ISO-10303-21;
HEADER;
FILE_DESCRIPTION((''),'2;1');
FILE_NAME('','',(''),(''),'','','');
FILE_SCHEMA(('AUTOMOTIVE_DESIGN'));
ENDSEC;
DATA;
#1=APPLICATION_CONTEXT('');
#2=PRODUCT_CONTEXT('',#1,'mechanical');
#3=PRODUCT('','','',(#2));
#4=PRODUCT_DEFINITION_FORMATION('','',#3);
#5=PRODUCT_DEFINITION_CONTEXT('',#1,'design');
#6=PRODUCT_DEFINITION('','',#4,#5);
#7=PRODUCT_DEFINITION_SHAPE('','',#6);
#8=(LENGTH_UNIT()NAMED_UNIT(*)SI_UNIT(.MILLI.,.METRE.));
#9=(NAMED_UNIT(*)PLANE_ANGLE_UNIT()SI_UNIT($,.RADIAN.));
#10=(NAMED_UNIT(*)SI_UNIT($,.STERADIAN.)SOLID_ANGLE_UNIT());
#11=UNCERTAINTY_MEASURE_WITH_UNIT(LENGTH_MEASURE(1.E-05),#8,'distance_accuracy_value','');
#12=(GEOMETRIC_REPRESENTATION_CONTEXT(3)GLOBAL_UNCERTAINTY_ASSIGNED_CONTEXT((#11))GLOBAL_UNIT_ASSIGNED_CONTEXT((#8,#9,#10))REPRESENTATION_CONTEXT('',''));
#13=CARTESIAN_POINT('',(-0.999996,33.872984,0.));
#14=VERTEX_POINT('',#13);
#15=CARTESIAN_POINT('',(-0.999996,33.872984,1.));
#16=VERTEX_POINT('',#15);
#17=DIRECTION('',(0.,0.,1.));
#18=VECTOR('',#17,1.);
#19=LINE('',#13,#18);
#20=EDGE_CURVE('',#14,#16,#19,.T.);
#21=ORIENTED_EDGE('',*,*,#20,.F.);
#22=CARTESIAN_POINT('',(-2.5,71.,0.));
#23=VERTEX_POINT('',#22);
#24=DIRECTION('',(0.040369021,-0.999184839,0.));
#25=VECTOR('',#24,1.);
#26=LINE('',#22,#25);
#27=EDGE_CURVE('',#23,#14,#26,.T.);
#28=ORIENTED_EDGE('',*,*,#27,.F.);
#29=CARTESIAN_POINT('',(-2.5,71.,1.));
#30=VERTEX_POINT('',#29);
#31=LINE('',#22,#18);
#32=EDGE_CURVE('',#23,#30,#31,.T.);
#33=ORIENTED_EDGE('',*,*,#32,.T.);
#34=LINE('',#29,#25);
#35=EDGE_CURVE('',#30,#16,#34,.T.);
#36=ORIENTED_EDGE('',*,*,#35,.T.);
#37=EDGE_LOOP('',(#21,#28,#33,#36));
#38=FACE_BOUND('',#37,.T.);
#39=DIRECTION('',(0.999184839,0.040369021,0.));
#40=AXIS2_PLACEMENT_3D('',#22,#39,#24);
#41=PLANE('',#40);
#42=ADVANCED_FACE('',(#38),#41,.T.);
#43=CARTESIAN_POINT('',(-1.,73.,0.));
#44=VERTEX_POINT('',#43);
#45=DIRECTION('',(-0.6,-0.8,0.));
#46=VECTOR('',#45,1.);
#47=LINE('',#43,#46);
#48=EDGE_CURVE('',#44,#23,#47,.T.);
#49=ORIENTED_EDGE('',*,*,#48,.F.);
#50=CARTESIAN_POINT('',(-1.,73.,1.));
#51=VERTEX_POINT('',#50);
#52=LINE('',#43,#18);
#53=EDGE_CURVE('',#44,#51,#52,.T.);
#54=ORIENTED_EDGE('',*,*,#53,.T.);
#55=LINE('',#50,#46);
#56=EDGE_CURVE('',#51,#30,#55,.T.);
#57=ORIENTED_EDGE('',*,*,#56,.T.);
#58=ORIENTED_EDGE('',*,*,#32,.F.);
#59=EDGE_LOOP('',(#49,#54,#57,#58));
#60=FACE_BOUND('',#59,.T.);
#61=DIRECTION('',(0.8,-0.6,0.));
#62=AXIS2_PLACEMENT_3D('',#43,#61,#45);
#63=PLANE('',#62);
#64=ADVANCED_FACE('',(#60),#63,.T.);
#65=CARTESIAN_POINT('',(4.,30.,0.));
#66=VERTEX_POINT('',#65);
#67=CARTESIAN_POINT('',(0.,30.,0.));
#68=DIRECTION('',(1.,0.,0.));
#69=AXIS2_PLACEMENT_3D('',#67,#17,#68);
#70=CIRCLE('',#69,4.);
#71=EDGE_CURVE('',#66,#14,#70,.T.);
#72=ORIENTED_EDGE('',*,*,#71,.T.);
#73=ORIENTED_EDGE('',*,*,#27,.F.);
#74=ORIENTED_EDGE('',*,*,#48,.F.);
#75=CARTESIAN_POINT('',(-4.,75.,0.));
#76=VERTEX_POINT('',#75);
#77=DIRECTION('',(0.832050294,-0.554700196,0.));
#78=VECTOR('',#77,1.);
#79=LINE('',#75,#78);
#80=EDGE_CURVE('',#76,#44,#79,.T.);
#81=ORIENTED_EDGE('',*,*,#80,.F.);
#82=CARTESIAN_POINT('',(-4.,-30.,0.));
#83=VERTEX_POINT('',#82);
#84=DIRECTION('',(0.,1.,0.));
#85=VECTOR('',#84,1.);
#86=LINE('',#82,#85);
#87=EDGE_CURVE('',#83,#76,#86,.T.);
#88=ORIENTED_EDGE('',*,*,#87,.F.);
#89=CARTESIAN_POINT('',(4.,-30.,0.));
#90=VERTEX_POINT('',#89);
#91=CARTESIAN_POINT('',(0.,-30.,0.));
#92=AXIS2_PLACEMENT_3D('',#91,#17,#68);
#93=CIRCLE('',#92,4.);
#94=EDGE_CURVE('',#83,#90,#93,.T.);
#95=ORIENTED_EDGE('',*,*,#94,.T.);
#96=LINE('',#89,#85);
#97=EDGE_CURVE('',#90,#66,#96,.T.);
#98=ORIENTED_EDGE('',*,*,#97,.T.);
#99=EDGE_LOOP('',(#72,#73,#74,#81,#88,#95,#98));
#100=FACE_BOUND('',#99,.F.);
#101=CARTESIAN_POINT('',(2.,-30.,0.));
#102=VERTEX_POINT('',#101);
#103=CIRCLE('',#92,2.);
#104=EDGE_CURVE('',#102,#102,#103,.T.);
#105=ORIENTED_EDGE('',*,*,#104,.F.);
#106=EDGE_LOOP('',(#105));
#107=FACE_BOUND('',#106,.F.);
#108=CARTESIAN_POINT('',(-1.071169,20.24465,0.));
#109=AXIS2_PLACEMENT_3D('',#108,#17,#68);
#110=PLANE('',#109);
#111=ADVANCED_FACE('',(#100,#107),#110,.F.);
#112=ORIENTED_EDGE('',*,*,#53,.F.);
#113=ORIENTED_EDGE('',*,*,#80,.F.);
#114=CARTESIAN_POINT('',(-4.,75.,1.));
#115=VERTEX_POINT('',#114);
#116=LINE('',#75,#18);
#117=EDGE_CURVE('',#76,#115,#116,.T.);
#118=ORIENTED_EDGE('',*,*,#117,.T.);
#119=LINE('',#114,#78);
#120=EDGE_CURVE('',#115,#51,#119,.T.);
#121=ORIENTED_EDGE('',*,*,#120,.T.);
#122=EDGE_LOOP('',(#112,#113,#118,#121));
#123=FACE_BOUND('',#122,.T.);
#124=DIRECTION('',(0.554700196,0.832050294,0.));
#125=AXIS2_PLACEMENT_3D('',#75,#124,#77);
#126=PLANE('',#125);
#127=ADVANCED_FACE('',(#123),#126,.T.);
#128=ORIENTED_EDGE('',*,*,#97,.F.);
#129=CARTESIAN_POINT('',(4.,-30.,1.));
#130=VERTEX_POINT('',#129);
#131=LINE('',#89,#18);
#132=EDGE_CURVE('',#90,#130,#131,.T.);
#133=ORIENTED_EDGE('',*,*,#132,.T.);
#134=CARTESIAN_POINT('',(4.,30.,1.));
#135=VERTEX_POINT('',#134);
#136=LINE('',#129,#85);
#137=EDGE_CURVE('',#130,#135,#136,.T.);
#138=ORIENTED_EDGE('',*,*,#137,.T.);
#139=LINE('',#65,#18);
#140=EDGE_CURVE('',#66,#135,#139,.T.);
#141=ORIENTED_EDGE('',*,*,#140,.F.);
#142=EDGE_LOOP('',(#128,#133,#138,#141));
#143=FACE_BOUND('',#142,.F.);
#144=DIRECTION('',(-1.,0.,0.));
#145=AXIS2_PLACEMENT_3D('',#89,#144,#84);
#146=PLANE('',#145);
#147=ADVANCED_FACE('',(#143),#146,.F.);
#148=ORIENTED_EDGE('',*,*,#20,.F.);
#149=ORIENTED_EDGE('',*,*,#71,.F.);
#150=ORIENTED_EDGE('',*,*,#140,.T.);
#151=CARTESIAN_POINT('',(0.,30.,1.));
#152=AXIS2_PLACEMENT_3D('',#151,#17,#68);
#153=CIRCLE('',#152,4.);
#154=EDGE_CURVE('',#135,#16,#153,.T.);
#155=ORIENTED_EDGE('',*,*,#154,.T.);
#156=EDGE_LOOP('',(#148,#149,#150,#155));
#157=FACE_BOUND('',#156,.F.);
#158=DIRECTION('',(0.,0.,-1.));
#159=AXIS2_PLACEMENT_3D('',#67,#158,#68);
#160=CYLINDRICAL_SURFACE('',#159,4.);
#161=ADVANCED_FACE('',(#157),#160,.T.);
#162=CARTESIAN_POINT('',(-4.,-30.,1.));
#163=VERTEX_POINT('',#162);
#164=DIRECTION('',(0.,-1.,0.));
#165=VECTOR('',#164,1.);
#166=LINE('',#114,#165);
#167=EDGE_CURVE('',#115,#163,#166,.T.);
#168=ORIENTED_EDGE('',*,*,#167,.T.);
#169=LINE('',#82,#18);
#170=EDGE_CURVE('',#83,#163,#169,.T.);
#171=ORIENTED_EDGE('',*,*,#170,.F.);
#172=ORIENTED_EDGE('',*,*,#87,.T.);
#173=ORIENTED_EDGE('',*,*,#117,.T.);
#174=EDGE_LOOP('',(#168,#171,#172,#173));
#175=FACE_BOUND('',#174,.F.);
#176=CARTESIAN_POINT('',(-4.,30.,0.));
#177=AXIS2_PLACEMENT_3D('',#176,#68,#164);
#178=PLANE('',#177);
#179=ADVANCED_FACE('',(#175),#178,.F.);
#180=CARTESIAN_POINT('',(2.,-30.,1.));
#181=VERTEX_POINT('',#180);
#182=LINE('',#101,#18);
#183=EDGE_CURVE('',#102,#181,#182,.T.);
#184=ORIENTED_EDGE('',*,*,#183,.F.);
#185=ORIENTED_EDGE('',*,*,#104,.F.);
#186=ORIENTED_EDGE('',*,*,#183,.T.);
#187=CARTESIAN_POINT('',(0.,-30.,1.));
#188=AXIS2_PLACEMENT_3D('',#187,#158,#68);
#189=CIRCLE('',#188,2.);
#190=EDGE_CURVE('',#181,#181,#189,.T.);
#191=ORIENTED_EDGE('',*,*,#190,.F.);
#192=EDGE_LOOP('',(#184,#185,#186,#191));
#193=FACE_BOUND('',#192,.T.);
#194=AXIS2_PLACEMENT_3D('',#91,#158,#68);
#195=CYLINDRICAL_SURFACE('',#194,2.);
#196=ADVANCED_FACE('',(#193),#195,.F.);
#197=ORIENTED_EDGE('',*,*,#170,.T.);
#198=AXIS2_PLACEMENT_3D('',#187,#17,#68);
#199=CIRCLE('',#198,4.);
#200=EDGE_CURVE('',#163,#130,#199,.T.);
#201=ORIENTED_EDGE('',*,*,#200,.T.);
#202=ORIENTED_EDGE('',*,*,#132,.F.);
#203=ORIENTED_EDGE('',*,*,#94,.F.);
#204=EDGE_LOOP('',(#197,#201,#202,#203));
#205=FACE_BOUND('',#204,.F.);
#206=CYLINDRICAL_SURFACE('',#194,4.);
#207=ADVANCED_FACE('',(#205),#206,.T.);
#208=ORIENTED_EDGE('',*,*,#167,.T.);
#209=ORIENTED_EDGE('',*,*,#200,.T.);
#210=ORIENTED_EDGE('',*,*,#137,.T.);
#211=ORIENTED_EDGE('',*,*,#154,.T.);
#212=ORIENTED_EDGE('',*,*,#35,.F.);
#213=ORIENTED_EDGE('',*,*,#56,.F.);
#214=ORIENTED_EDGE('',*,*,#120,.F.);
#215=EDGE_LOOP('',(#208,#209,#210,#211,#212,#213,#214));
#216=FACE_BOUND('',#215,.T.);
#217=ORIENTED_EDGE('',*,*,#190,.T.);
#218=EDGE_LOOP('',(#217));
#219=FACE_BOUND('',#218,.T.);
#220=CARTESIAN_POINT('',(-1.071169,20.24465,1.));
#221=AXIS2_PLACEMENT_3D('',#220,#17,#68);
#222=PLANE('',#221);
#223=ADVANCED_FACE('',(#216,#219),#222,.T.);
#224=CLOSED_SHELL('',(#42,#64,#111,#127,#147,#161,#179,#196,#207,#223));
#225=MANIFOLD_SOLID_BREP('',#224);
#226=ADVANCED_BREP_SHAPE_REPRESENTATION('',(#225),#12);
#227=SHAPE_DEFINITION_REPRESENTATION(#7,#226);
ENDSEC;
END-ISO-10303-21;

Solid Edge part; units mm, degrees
sketch "Sketch1" plane through (0, 0, 0) normal (0, 0, 1) x (1, 0, 0)
  line L0 (4, -30) -> (4, 30)
  arc A0 (4, 30) -> (-1, 33.873) centre (0, 30) ccw
  line L1 (-2.5, 71) -> (-1, 33.873)
  line L2 (-1, 73) -> (-2.5, 71)
  line L3 (-4, 75) -> (-1, 73)
  line L4 (-4, 30) -> (-4, 75)
  line L5 (-4, 30) -> (-4, -30)
  arc A1 (-4, -30) -> (4, -30) centre (0, -30) ccw
  dimension "D1" = 4
  dimension "D2" = 2.5
extrude "Ajout_matière_1" add sketch "Sketch1" along normal blind 1
sketch "Sketch2" plane through (0, 0, 0) normal (0, 0, 1) x (1, 0, 0)
  circle A0 centre (0, -30) radius 2
  dimension "D1" = 4
extrude "Cutout1" cut sketch "Sketch2" along normal up to next
properties material "Acier S235"
